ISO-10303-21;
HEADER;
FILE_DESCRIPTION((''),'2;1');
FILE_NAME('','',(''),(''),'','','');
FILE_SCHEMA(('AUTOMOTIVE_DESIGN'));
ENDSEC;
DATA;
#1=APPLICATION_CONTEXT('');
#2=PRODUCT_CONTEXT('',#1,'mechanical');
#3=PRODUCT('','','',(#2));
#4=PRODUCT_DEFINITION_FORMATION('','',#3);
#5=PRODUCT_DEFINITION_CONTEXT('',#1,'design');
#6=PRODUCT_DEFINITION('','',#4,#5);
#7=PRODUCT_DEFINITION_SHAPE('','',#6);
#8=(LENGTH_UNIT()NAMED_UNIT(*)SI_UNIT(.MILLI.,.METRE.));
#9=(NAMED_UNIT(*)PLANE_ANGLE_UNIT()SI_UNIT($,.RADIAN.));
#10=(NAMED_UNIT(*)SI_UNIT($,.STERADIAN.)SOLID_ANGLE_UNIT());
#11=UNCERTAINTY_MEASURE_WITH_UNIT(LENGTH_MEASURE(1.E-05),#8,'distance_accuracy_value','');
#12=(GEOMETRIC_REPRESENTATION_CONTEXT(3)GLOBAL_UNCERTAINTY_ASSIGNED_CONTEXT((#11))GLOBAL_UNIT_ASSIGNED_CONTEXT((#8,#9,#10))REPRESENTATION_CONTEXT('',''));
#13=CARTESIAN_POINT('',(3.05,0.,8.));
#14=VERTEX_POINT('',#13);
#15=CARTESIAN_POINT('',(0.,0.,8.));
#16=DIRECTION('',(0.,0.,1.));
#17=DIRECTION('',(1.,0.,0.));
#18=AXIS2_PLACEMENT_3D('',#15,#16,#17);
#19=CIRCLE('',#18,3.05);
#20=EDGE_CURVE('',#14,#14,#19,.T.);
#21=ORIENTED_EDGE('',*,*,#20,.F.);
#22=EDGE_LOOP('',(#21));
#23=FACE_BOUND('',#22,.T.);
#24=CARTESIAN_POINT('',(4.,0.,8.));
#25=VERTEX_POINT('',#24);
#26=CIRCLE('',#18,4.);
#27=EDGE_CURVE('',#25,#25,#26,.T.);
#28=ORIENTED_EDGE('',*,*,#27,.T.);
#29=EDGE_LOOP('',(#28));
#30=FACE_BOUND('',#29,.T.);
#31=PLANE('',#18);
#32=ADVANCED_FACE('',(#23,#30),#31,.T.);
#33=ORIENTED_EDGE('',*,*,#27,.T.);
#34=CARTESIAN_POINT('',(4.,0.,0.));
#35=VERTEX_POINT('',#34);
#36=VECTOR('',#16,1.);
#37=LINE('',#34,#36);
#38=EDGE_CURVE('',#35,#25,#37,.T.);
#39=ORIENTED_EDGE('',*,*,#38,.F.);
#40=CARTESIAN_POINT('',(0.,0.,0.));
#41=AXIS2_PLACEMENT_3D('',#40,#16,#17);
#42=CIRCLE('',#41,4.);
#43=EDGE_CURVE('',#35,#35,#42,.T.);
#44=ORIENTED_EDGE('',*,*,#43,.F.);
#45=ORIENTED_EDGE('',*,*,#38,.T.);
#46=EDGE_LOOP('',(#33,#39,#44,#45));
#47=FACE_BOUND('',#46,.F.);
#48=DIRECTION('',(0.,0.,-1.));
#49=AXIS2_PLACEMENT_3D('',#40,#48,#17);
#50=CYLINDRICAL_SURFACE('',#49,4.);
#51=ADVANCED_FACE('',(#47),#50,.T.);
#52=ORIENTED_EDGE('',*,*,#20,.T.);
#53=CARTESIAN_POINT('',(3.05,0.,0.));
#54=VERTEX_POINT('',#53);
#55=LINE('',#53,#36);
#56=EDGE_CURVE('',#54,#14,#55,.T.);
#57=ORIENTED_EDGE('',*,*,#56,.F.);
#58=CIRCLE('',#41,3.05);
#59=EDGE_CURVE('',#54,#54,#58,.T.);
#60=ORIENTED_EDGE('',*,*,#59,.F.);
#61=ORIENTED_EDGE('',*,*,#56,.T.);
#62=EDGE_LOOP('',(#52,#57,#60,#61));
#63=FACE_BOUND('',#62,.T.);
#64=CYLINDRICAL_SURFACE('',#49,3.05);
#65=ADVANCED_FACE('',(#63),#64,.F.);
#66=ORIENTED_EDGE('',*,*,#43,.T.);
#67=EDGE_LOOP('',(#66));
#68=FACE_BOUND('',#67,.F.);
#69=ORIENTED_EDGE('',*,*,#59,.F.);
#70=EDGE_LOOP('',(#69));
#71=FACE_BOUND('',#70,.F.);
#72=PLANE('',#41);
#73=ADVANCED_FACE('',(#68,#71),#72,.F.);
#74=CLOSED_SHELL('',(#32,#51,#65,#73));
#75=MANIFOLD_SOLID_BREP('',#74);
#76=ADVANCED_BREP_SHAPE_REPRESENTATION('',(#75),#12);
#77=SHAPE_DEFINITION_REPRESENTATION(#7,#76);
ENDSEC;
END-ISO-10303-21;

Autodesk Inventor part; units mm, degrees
ref_plane "YZ Plane" through (0, 0, 0) normal (1, 0, 0) x (0, 1, 0)
ref_plane "XZ Plane" through (0, 0, 0) normal (0, 1, 0) x (-1, 0, 0)
ref_plane "XY Plane" through (0, 0, 0) normal (0, 0, 1) x (1, 0, 0)
sketch "スケッチ1" plane through (0, 0, 0) normal (0, 0, 1) x (1, 0, 0)
  circle A0 centre (0, 0) radius 3.05
  circle A1 centre (0, 0) radius 4
  dimension "d0" = 6.1
  dimension "d1" = 8
extrude "押し出し1" add sketch "スケッチ1" along normal blind 8
properties part number "スペーサ_6.1-7_3Dプリンタ"
